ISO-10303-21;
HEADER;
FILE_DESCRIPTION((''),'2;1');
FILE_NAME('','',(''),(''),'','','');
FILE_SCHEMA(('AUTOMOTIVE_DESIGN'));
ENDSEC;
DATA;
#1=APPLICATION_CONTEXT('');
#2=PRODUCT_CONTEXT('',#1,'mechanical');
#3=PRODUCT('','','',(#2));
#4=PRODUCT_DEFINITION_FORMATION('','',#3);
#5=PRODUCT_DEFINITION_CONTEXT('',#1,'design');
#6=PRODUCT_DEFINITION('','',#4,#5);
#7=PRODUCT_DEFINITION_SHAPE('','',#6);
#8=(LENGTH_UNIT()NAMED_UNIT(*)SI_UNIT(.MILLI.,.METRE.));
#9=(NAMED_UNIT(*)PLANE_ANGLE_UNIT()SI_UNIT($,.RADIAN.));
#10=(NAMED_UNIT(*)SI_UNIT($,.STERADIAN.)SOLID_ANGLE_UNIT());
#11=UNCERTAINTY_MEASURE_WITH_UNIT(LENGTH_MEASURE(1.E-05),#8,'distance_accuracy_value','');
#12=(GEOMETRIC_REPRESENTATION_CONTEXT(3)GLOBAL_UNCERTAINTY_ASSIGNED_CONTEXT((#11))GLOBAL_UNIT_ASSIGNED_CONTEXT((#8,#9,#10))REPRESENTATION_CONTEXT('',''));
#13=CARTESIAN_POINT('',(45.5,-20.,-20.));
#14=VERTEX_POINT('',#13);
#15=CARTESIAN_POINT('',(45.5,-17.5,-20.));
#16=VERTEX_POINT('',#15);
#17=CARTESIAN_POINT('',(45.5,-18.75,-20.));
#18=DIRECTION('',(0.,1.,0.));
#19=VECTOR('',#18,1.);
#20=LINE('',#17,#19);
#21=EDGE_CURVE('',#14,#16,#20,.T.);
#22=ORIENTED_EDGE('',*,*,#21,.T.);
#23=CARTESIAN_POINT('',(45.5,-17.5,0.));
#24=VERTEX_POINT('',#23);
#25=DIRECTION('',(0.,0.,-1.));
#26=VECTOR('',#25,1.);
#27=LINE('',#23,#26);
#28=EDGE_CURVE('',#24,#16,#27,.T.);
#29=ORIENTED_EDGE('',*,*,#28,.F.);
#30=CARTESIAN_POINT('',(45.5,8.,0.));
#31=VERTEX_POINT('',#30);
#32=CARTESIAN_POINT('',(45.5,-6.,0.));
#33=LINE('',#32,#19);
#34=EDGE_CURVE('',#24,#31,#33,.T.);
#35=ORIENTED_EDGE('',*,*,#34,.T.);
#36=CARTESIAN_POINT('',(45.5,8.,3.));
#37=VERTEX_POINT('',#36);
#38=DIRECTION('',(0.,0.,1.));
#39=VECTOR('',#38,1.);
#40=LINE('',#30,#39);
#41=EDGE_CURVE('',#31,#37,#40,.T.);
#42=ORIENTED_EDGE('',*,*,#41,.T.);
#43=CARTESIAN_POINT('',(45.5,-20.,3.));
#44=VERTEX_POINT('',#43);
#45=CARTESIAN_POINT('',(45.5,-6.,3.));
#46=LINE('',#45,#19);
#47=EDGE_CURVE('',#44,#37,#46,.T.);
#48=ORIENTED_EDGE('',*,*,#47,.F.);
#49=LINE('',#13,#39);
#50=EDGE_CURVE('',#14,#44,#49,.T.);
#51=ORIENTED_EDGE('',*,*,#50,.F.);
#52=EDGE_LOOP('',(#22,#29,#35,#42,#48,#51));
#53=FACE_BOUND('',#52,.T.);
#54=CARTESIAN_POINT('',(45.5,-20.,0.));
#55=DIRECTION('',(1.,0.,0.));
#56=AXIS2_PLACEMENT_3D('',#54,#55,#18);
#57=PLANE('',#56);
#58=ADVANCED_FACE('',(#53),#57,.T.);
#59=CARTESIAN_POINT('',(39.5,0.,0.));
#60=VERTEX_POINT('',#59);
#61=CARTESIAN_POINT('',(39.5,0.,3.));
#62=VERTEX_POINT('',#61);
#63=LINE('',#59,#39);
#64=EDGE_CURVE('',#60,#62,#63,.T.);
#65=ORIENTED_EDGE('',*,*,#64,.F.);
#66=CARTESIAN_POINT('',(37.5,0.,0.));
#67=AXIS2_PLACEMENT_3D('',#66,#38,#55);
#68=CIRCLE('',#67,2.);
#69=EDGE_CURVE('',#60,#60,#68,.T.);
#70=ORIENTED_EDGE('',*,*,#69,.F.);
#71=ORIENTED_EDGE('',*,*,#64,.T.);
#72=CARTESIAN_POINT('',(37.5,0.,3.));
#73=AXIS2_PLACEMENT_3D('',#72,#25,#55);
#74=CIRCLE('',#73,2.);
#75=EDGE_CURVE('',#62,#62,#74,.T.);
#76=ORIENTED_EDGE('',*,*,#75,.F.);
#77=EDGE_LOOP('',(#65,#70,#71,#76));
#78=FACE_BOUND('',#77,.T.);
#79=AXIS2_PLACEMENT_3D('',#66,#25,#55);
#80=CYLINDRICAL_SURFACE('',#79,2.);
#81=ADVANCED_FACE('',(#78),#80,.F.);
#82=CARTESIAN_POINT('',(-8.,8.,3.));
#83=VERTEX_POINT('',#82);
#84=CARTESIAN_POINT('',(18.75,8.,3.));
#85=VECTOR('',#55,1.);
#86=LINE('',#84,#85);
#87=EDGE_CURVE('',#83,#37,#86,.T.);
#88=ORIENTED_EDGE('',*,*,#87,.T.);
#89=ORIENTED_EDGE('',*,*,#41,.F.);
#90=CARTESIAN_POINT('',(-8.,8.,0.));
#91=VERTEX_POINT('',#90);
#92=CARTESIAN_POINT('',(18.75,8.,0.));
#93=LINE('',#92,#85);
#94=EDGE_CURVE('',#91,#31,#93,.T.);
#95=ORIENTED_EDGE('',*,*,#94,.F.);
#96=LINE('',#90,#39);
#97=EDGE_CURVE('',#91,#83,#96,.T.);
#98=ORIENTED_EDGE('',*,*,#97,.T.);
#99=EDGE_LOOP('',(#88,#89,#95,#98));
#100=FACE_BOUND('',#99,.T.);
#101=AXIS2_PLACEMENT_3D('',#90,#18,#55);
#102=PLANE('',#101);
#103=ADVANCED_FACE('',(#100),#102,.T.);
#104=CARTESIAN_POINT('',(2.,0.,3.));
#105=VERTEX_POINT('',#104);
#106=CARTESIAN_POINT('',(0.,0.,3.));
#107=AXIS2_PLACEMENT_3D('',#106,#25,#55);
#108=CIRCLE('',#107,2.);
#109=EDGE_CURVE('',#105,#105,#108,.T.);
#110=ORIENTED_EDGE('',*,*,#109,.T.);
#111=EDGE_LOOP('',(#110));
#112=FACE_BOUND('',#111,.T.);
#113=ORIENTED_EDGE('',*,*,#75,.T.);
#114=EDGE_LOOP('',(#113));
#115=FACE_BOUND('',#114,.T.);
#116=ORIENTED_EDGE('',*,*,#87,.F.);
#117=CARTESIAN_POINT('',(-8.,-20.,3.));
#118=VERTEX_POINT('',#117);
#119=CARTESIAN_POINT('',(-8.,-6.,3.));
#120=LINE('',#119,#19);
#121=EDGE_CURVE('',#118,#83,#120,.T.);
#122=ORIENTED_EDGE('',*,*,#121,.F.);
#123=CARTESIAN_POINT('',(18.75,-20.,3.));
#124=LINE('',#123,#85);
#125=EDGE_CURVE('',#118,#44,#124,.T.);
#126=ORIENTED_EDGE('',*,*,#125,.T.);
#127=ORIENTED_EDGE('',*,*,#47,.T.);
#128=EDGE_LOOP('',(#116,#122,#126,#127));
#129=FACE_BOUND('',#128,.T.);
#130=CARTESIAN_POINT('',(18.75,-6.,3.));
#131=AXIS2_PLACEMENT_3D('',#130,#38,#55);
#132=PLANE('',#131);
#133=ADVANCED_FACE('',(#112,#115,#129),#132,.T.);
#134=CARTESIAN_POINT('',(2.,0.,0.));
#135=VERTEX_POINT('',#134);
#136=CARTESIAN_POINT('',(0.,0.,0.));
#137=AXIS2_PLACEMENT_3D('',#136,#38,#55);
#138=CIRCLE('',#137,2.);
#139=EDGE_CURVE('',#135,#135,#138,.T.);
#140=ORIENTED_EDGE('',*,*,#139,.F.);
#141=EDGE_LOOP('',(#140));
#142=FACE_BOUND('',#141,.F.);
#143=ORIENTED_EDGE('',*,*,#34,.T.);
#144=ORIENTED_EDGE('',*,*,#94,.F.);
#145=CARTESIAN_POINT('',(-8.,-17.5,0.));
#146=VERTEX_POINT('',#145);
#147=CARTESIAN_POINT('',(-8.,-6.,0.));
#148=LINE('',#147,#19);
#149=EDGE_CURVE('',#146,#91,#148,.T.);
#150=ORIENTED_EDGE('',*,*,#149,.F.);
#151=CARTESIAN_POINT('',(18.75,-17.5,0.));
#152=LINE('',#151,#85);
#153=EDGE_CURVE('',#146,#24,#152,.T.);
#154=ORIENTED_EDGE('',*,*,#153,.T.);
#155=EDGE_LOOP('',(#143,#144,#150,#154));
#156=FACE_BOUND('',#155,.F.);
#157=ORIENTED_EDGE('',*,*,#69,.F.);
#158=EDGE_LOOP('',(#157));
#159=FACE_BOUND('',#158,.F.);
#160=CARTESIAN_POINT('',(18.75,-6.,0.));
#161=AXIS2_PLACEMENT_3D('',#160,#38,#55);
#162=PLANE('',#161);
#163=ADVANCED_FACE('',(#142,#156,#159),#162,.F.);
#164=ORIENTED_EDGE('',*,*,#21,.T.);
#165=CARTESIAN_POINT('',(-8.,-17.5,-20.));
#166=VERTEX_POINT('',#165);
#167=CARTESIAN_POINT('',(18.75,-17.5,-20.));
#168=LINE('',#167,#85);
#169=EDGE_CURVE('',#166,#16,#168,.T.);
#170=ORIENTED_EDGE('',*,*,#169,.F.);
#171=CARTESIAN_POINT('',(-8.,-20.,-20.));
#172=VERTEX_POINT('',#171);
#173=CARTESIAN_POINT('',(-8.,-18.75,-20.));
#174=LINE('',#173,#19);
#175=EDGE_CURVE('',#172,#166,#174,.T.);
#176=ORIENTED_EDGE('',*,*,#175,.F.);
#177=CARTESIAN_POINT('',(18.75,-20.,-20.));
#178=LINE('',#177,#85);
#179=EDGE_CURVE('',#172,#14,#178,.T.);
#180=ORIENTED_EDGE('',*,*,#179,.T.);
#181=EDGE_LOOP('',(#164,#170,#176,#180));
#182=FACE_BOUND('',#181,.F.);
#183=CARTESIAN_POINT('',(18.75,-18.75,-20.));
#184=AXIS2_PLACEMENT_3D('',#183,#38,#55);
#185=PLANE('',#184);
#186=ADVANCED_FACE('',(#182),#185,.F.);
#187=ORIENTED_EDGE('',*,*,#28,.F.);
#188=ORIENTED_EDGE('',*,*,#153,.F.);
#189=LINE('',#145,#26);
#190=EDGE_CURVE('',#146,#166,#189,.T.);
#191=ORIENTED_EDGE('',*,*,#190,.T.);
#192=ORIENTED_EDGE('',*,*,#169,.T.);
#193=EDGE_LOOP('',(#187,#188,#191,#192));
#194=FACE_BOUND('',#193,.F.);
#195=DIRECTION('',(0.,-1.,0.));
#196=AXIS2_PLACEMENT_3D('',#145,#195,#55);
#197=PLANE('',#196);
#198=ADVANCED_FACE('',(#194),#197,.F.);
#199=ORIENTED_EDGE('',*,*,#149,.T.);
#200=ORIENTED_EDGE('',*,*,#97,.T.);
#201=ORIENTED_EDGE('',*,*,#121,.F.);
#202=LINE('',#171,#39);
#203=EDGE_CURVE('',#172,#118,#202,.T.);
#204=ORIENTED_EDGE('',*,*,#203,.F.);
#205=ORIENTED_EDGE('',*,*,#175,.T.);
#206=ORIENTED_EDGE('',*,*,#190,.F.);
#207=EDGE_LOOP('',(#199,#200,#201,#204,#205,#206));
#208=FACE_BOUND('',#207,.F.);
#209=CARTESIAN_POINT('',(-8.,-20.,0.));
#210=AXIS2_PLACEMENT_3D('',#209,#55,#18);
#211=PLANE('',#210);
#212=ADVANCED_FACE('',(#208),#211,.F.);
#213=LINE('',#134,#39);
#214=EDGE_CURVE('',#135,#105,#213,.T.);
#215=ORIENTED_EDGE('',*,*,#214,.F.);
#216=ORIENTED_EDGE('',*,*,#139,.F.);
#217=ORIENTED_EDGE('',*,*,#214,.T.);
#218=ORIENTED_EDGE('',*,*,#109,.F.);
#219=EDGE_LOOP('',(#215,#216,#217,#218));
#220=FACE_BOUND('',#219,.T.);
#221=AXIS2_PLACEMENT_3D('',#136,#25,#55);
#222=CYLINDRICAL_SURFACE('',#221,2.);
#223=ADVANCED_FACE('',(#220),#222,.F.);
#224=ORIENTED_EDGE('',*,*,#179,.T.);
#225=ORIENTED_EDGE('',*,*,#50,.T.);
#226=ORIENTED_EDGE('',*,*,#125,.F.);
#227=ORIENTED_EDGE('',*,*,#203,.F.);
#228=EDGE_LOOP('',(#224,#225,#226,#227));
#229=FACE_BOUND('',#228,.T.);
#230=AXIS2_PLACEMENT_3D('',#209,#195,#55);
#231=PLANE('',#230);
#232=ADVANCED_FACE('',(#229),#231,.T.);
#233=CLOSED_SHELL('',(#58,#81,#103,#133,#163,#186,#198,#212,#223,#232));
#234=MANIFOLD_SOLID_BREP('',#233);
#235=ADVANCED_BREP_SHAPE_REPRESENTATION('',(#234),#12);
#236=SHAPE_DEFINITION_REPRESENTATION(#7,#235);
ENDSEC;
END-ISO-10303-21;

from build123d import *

# Parameters (mm, degrees)
SKETCH002_W     = 53.5
SKETCH002_H     = 28
PAD_DEPTH       = 3
SKETCH_R        = 2
POCKET_DEPTH    = 5
SKETCH001_R     = 2
POCKET001_DEPTH = 5
SKETCH003_W     = 53.5
SKETCH003_H     = 2.5
PAD001_DEPTH    = 20


with BuildPart() as part:
    # Sketch002 → Pad (new body)
    with BuildSketch(Plane.XY):
        with Locations((18.75, -6)):
            Rectangle(SKETCH002_W, SKETCH002_H)
    extrude(amount=PAD_DEPTH)

    # Sketch → Pocket (cut)
    with BuildSketch(Plane.XY):
        Circle(SKETCH_R)
    extrude(amount=POCKET_DEPTH, mode=Mode.SUBTRACT)

    # Sketch001 → Pocket001 (cut)
    with BuildSketch(Plane.XY):
        with Locations((37.5, 0)):
            Circle(SKETCH001_R)
    extrude(amount=POCKET001_DEPTH, mode=Mode.SUBTRACT)

    # Sketch003 → Pad001 (join)
    with BuildSketch(Plane.XY):
        with Locations((18.75, -18.75)):
            Rectangle(SKETCH003_W, SKETCH003_H)
    extrude(amount=-PAD001_DEPTH)


solid = part.part
